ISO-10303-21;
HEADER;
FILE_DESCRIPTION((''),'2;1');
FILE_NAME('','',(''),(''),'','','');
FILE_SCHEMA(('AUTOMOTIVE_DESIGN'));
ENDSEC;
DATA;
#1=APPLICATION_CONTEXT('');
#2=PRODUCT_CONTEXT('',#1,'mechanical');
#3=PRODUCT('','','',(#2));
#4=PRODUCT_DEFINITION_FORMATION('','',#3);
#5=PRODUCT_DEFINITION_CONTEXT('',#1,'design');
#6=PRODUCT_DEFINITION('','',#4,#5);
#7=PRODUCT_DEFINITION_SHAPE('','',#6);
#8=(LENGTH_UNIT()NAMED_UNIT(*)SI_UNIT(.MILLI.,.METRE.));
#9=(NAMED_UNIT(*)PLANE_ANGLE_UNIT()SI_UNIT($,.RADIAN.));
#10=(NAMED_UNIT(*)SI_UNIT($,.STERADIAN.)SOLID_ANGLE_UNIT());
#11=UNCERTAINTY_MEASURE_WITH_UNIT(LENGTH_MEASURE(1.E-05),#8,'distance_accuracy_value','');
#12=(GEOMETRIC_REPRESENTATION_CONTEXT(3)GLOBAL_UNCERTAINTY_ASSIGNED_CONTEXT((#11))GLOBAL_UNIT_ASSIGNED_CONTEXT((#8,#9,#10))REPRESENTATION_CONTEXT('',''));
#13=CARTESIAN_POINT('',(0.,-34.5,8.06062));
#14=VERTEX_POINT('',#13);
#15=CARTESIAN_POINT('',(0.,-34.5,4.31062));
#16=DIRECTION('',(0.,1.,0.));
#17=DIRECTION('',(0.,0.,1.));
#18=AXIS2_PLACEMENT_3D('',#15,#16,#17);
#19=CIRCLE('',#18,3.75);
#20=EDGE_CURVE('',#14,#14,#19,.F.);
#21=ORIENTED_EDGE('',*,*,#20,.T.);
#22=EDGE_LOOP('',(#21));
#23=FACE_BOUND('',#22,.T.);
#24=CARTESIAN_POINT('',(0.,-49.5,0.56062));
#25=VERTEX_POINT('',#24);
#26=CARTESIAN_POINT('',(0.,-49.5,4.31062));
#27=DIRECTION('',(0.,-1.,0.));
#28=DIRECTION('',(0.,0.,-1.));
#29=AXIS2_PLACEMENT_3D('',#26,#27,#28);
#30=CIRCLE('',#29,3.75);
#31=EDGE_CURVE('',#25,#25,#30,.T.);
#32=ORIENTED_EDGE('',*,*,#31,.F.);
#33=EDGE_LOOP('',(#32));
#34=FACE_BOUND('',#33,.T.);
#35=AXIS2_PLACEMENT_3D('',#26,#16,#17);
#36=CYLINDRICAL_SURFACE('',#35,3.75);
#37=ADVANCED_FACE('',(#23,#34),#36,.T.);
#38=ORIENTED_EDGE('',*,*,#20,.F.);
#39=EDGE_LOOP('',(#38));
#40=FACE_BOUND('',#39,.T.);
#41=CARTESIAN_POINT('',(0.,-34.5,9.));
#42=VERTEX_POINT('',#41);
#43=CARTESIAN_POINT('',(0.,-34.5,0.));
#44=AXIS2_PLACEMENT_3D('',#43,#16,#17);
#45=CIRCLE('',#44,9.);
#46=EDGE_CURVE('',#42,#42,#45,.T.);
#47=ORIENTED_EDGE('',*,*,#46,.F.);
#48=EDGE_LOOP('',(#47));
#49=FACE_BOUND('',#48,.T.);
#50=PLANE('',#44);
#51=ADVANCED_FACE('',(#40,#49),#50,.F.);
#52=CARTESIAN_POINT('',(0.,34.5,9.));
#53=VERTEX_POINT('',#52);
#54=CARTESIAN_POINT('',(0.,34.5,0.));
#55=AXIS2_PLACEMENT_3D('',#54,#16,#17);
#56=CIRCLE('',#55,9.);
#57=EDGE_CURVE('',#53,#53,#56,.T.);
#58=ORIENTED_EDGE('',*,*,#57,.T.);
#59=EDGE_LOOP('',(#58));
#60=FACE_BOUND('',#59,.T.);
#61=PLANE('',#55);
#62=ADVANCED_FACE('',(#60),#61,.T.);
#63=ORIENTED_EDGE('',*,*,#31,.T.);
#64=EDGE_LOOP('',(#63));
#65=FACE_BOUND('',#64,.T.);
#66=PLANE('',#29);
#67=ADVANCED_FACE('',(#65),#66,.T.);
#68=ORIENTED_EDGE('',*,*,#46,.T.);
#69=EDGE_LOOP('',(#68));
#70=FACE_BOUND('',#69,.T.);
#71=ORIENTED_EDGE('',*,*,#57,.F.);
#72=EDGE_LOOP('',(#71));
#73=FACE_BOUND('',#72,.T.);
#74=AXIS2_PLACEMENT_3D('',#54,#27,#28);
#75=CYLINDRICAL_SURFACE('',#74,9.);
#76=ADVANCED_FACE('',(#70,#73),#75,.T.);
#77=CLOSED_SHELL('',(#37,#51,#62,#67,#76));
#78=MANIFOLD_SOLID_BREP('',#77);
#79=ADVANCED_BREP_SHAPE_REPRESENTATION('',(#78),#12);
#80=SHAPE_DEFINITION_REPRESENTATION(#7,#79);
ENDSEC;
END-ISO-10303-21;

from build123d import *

# Parameters (mm, degrees)
SKETCH1_R           = 9
BOSS_EXTRUDE1_DEPTH = 34.5
SKETCH2_R           = 3.75
BOSS_EXTRUDE2_DEPTH = 15


with BuildPart() as part:
    # Sketch1 → Boss-Extrude1 (new body, symmetric)
    with BuildSketch(Plane(origin=(0, 0, 0), x_dir=(1, 0, 0), z_dir=(0, 1, 0))):
        Circle(SKETCH1_R)
    extrude(amount=BOSS_EXTRUDE1_DEPTH, both=True)

    # Sketch2 → Boss-Extrude2 (add)
    with BuildSketch(Plane.XZ.offset(34.5)):
        with Locations((0, 4.31062048)):
            Circle(SKETCH2_R)
    extrude(amount=BOSS_EXTRUDE2_DEPTH)


solid = part.part
